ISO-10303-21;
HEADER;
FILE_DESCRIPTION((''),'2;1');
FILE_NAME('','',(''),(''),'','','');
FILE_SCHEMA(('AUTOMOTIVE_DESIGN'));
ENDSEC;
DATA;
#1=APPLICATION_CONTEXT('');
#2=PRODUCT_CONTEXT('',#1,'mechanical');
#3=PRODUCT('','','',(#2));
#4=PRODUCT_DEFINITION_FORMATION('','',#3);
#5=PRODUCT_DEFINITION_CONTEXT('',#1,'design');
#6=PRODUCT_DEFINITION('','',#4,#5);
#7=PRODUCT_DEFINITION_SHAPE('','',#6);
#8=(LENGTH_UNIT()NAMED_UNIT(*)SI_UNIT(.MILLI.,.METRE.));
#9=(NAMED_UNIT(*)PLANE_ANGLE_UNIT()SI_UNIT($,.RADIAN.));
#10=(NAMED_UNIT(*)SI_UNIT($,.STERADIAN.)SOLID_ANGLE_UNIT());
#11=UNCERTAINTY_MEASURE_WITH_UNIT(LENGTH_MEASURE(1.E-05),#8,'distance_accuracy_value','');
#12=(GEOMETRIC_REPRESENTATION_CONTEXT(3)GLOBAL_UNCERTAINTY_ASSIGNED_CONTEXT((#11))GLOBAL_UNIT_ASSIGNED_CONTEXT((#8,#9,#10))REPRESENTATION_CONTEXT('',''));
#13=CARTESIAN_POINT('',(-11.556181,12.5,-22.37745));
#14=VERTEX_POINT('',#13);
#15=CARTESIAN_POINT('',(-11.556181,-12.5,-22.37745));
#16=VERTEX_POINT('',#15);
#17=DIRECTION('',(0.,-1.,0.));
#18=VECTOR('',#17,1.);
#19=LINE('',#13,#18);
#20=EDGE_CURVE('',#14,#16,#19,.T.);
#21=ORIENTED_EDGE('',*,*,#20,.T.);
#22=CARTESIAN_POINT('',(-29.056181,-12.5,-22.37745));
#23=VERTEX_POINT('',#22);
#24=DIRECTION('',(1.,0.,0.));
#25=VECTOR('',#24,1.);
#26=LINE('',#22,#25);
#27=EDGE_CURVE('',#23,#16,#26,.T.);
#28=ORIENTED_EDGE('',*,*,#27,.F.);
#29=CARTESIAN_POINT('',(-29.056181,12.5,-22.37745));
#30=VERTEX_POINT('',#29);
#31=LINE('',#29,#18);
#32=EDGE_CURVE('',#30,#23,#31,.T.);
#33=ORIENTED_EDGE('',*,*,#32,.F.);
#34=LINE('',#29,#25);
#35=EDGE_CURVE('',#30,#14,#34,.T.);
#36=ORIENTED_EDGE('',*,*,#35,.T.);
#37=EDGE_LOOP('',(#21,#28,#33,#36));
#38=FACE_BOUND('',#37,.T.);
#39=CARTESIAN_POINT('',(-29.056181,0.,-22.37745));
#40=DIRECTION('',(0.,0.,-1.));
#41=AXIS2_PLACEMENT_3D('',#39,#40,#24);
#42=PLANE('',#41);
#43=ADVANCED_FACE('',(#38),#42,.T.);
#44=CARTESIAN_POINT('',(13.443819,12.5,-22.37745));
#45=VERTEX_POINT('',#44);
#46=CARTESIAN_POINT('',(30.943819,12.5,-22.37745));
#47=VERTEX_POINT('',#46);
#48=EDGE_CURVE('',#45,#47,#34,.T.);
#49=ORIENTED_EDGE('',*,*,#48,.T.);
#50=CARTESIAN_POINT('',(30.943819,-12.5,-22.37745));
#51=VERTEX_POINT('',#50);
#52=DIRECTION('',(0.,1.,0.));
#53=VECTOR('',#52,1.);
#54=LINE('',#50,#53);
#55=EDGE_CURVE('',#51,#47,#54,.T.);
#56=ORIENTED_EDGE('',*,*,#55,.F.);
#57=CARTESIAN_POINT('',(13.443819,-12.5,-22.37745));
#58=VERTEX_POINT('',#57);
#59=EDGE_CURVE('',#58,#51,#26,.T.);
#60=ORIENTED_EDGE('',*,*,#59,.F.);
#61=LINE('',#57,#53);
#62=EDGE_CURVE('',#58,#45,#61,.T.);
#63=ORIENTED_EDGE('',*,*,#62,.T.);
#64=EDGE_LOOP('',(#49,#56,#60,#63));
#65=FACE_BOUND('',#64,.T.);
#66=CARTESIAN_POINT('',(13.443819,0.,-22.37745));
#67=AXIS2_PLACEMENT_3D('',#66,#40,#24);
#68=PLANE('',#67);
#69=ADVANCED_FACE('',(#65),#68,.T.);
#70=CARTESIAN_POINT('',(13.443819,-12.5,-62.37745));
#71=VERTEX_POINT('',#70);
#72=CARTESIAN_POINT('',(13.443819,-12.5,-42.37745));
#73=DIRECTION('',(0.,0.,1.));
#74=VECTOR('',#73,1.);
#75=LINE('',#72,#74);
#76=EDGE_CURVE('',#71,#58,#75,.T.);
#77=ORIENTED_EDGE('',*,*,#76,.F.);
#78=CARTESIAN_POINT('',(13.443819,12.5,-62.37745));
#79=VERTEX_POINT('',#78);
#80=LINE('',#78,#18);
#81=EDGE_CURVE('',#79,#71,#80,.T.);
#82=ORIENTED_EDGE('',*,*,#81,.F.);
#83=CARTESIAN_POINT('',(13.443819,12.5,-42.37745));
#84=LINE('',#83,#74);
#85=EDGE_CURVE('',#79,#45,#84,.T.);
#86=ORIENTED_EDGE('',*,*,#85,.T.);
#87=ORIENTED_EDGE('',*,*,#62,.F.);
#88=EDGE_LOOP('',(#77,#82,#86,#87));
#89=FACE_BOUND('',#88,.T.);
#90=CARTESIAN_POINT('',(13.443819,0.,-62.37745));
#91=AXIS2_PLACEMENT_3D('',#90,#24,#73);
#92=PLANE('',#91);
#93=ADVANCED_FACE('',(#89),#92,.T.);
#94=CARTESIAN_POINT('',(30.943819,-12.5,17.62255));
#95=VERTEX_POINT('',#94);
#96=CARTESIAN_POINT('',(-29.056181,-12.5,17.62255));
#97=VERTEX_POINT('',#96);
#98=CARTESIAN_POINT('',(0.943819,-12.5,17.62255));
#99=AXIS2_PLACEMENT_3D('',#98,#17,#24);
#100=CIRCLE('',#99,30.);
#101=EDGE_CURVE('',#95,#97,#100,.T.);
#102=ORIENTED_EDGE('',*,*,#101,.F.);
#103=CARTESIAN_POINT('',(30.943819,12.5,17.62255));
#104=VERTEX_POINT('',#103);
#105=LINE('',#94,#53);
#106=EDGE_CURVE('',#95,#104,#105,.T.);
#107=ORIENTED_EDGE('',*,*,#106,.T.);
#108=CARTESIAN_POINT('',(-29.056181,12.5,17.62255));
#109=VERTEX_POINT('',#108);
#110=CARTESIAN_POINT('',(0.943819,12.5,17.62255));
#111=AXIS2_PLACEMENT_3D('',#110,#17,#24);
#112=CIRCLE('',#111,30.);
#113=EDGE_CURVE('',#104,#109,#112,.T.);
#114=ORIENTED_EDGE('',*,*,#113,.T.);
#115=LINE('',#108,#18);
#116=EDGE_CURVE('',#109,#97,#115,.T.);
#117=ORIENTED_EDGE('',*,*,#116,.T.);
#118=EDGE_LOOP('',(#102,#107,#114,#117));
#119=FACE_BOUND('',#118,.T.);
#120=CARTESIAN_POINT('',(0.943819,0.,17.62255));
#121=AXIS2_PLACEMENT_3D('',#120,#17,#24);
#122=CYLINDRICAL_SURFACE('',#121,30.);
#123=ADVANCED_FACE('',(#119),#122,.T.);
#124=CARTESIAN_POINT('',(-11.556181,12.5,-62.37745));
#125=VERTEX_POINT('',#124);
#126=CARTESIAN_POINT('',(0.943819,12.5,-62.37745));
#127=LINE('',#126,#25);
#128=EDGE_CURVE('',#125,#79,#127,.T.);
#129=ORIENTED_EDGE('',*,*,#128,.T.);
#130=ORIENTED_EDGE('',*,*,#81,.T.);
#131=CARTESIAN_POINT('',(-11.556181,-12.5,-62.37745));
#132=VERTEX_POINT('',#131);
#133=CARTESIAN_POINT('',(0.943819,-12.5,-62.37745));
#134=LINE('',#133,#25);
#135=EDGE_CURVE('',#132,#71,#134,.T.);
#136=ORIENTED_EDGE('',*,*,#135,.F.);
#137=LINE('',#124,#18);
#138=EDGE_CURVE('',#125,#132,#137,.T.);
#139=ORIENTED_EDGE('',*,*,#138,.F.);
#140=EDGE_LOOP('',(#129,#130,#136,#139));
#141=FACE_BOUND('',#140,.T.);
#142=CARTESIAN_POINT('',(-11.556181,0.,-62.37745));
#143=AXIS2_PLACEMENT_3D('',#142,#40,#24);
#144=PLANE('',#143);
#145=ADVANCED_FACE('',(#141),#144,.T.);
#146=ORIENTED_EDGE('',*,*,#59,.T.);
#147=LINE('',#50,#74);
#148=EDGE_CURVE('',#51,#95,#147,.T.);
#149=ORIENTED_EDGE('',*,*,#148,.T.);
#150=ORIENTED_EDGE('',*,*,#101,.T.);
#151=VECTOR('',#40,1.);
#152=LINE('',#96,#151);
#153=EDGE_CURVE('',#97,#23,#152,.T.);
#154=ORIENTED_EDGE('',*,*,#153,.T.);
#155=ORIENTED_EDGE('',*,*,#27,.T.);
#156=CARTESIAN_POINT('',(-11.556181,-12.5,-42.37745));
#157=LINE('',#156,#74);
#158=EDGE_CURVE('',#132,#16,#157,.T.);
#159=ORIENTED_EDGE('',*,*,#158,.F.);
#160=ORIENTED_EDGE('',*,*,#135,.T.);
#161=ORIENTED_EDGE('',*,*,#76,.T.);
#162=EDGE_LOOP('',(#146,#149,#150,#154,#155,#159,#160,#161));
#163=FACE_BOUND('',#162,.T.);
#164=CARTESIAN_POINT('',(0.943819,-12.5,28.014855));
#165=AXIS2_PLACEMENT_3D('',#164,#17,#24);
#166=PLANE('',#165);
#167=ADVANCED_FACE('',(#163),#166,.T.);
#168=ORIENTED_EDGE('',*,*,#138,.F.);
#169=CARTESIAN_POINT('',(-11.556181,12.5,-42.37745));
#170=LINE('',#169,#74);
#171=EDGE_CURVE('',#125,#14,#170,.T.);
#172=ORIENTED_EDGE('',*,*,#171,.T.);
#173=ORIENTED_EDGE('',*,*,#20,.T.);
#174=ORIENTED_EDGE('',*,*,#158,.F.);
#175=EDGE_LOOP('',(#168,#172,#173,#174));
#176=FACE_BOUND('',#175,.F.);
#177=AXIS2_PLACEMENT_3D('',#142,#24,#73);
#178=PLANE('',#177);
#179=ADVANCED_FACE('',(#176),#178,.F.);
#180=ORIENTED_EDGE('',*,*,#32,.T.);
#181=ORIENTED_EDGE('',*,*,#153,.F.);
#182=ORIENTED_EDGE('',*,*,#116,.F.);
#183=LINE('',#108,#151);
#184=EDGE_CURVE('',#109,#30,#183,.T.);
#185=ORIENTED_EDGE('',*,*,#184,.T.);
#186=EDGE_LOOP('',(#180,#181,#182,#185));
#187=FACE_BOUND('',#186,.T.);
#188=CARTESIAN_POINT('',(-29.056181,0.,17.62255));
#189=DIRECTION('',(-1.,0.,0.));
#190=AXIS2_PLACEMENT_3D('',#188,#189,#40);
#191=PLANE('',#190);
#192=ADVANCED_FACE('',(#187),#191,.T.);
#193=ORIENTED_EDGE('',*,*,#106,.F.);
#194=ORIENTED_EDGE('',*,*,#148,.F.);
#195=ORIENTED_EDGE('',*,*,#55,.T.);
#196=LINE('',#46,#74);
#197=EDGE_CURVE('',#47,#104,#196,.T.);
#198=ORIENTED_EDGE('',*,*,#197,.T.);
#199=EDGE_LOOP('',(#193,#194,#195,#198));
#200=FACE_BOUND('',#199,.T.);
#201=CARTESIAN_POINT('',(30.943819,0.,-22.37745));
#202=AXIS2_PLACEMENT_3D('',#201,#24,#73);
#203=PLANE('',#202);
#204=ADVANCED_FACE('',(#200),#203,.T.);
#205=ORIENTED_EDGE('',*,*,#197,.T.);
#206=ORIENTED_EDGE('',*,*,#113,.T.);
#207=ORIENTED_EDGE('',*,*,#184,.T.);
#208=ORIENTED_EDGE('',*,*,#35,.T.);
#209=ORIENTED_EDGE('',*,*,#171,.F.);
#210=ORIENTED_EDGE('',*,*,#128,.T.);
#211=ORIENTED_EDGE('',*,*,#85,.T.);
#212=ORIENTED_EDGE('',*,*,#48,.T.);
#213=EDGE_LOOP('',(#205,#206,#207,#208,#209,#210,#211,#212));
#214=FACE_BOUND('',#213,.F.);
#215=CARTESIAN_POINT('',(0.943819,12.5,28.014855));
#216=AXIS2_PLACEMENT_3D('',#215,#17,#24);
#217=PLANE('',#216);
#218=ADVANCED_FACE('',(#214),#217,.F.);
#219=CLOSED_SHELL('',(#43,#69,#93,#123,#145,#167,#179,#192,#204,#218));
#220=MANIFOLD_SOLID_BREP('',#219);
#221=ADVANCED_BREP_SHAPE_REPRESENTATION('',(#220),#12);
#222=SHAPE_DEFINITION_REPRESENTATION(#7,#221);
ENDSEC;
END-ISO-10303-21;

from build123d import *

# Parameters (mm, degrees)
F0_W     = 25
F0_H     = 40
F1_DEPTH = 12.5


with BuildPart() as f1:
    # F0 (on Front) → F1 (new body, symmetric)
    with BuildSketch(Plane.XZ):
        with BuildLine():
            ThreePointArc((30.943819, 17.62255), (0.943819, 47.62255), (-29.056181, 17.62255))
            Line((-29.056181, 17.62255), (30.943819, 17.62255))
        make_face()
        Polygon((30.943819, 17.62255), (-29.056181, 17.62255), (-29.056181, -22.37745), (-11.556181, -22.37745), (13.443819, -22.37745), (30.943819, -22.37745), align=None)
        with Locations((0.943819, -42.37745)):
            Rectangle(F0_W, F0_H)
    extrude(amount=F1_DEPTH, both=True)


solid = f1.part
